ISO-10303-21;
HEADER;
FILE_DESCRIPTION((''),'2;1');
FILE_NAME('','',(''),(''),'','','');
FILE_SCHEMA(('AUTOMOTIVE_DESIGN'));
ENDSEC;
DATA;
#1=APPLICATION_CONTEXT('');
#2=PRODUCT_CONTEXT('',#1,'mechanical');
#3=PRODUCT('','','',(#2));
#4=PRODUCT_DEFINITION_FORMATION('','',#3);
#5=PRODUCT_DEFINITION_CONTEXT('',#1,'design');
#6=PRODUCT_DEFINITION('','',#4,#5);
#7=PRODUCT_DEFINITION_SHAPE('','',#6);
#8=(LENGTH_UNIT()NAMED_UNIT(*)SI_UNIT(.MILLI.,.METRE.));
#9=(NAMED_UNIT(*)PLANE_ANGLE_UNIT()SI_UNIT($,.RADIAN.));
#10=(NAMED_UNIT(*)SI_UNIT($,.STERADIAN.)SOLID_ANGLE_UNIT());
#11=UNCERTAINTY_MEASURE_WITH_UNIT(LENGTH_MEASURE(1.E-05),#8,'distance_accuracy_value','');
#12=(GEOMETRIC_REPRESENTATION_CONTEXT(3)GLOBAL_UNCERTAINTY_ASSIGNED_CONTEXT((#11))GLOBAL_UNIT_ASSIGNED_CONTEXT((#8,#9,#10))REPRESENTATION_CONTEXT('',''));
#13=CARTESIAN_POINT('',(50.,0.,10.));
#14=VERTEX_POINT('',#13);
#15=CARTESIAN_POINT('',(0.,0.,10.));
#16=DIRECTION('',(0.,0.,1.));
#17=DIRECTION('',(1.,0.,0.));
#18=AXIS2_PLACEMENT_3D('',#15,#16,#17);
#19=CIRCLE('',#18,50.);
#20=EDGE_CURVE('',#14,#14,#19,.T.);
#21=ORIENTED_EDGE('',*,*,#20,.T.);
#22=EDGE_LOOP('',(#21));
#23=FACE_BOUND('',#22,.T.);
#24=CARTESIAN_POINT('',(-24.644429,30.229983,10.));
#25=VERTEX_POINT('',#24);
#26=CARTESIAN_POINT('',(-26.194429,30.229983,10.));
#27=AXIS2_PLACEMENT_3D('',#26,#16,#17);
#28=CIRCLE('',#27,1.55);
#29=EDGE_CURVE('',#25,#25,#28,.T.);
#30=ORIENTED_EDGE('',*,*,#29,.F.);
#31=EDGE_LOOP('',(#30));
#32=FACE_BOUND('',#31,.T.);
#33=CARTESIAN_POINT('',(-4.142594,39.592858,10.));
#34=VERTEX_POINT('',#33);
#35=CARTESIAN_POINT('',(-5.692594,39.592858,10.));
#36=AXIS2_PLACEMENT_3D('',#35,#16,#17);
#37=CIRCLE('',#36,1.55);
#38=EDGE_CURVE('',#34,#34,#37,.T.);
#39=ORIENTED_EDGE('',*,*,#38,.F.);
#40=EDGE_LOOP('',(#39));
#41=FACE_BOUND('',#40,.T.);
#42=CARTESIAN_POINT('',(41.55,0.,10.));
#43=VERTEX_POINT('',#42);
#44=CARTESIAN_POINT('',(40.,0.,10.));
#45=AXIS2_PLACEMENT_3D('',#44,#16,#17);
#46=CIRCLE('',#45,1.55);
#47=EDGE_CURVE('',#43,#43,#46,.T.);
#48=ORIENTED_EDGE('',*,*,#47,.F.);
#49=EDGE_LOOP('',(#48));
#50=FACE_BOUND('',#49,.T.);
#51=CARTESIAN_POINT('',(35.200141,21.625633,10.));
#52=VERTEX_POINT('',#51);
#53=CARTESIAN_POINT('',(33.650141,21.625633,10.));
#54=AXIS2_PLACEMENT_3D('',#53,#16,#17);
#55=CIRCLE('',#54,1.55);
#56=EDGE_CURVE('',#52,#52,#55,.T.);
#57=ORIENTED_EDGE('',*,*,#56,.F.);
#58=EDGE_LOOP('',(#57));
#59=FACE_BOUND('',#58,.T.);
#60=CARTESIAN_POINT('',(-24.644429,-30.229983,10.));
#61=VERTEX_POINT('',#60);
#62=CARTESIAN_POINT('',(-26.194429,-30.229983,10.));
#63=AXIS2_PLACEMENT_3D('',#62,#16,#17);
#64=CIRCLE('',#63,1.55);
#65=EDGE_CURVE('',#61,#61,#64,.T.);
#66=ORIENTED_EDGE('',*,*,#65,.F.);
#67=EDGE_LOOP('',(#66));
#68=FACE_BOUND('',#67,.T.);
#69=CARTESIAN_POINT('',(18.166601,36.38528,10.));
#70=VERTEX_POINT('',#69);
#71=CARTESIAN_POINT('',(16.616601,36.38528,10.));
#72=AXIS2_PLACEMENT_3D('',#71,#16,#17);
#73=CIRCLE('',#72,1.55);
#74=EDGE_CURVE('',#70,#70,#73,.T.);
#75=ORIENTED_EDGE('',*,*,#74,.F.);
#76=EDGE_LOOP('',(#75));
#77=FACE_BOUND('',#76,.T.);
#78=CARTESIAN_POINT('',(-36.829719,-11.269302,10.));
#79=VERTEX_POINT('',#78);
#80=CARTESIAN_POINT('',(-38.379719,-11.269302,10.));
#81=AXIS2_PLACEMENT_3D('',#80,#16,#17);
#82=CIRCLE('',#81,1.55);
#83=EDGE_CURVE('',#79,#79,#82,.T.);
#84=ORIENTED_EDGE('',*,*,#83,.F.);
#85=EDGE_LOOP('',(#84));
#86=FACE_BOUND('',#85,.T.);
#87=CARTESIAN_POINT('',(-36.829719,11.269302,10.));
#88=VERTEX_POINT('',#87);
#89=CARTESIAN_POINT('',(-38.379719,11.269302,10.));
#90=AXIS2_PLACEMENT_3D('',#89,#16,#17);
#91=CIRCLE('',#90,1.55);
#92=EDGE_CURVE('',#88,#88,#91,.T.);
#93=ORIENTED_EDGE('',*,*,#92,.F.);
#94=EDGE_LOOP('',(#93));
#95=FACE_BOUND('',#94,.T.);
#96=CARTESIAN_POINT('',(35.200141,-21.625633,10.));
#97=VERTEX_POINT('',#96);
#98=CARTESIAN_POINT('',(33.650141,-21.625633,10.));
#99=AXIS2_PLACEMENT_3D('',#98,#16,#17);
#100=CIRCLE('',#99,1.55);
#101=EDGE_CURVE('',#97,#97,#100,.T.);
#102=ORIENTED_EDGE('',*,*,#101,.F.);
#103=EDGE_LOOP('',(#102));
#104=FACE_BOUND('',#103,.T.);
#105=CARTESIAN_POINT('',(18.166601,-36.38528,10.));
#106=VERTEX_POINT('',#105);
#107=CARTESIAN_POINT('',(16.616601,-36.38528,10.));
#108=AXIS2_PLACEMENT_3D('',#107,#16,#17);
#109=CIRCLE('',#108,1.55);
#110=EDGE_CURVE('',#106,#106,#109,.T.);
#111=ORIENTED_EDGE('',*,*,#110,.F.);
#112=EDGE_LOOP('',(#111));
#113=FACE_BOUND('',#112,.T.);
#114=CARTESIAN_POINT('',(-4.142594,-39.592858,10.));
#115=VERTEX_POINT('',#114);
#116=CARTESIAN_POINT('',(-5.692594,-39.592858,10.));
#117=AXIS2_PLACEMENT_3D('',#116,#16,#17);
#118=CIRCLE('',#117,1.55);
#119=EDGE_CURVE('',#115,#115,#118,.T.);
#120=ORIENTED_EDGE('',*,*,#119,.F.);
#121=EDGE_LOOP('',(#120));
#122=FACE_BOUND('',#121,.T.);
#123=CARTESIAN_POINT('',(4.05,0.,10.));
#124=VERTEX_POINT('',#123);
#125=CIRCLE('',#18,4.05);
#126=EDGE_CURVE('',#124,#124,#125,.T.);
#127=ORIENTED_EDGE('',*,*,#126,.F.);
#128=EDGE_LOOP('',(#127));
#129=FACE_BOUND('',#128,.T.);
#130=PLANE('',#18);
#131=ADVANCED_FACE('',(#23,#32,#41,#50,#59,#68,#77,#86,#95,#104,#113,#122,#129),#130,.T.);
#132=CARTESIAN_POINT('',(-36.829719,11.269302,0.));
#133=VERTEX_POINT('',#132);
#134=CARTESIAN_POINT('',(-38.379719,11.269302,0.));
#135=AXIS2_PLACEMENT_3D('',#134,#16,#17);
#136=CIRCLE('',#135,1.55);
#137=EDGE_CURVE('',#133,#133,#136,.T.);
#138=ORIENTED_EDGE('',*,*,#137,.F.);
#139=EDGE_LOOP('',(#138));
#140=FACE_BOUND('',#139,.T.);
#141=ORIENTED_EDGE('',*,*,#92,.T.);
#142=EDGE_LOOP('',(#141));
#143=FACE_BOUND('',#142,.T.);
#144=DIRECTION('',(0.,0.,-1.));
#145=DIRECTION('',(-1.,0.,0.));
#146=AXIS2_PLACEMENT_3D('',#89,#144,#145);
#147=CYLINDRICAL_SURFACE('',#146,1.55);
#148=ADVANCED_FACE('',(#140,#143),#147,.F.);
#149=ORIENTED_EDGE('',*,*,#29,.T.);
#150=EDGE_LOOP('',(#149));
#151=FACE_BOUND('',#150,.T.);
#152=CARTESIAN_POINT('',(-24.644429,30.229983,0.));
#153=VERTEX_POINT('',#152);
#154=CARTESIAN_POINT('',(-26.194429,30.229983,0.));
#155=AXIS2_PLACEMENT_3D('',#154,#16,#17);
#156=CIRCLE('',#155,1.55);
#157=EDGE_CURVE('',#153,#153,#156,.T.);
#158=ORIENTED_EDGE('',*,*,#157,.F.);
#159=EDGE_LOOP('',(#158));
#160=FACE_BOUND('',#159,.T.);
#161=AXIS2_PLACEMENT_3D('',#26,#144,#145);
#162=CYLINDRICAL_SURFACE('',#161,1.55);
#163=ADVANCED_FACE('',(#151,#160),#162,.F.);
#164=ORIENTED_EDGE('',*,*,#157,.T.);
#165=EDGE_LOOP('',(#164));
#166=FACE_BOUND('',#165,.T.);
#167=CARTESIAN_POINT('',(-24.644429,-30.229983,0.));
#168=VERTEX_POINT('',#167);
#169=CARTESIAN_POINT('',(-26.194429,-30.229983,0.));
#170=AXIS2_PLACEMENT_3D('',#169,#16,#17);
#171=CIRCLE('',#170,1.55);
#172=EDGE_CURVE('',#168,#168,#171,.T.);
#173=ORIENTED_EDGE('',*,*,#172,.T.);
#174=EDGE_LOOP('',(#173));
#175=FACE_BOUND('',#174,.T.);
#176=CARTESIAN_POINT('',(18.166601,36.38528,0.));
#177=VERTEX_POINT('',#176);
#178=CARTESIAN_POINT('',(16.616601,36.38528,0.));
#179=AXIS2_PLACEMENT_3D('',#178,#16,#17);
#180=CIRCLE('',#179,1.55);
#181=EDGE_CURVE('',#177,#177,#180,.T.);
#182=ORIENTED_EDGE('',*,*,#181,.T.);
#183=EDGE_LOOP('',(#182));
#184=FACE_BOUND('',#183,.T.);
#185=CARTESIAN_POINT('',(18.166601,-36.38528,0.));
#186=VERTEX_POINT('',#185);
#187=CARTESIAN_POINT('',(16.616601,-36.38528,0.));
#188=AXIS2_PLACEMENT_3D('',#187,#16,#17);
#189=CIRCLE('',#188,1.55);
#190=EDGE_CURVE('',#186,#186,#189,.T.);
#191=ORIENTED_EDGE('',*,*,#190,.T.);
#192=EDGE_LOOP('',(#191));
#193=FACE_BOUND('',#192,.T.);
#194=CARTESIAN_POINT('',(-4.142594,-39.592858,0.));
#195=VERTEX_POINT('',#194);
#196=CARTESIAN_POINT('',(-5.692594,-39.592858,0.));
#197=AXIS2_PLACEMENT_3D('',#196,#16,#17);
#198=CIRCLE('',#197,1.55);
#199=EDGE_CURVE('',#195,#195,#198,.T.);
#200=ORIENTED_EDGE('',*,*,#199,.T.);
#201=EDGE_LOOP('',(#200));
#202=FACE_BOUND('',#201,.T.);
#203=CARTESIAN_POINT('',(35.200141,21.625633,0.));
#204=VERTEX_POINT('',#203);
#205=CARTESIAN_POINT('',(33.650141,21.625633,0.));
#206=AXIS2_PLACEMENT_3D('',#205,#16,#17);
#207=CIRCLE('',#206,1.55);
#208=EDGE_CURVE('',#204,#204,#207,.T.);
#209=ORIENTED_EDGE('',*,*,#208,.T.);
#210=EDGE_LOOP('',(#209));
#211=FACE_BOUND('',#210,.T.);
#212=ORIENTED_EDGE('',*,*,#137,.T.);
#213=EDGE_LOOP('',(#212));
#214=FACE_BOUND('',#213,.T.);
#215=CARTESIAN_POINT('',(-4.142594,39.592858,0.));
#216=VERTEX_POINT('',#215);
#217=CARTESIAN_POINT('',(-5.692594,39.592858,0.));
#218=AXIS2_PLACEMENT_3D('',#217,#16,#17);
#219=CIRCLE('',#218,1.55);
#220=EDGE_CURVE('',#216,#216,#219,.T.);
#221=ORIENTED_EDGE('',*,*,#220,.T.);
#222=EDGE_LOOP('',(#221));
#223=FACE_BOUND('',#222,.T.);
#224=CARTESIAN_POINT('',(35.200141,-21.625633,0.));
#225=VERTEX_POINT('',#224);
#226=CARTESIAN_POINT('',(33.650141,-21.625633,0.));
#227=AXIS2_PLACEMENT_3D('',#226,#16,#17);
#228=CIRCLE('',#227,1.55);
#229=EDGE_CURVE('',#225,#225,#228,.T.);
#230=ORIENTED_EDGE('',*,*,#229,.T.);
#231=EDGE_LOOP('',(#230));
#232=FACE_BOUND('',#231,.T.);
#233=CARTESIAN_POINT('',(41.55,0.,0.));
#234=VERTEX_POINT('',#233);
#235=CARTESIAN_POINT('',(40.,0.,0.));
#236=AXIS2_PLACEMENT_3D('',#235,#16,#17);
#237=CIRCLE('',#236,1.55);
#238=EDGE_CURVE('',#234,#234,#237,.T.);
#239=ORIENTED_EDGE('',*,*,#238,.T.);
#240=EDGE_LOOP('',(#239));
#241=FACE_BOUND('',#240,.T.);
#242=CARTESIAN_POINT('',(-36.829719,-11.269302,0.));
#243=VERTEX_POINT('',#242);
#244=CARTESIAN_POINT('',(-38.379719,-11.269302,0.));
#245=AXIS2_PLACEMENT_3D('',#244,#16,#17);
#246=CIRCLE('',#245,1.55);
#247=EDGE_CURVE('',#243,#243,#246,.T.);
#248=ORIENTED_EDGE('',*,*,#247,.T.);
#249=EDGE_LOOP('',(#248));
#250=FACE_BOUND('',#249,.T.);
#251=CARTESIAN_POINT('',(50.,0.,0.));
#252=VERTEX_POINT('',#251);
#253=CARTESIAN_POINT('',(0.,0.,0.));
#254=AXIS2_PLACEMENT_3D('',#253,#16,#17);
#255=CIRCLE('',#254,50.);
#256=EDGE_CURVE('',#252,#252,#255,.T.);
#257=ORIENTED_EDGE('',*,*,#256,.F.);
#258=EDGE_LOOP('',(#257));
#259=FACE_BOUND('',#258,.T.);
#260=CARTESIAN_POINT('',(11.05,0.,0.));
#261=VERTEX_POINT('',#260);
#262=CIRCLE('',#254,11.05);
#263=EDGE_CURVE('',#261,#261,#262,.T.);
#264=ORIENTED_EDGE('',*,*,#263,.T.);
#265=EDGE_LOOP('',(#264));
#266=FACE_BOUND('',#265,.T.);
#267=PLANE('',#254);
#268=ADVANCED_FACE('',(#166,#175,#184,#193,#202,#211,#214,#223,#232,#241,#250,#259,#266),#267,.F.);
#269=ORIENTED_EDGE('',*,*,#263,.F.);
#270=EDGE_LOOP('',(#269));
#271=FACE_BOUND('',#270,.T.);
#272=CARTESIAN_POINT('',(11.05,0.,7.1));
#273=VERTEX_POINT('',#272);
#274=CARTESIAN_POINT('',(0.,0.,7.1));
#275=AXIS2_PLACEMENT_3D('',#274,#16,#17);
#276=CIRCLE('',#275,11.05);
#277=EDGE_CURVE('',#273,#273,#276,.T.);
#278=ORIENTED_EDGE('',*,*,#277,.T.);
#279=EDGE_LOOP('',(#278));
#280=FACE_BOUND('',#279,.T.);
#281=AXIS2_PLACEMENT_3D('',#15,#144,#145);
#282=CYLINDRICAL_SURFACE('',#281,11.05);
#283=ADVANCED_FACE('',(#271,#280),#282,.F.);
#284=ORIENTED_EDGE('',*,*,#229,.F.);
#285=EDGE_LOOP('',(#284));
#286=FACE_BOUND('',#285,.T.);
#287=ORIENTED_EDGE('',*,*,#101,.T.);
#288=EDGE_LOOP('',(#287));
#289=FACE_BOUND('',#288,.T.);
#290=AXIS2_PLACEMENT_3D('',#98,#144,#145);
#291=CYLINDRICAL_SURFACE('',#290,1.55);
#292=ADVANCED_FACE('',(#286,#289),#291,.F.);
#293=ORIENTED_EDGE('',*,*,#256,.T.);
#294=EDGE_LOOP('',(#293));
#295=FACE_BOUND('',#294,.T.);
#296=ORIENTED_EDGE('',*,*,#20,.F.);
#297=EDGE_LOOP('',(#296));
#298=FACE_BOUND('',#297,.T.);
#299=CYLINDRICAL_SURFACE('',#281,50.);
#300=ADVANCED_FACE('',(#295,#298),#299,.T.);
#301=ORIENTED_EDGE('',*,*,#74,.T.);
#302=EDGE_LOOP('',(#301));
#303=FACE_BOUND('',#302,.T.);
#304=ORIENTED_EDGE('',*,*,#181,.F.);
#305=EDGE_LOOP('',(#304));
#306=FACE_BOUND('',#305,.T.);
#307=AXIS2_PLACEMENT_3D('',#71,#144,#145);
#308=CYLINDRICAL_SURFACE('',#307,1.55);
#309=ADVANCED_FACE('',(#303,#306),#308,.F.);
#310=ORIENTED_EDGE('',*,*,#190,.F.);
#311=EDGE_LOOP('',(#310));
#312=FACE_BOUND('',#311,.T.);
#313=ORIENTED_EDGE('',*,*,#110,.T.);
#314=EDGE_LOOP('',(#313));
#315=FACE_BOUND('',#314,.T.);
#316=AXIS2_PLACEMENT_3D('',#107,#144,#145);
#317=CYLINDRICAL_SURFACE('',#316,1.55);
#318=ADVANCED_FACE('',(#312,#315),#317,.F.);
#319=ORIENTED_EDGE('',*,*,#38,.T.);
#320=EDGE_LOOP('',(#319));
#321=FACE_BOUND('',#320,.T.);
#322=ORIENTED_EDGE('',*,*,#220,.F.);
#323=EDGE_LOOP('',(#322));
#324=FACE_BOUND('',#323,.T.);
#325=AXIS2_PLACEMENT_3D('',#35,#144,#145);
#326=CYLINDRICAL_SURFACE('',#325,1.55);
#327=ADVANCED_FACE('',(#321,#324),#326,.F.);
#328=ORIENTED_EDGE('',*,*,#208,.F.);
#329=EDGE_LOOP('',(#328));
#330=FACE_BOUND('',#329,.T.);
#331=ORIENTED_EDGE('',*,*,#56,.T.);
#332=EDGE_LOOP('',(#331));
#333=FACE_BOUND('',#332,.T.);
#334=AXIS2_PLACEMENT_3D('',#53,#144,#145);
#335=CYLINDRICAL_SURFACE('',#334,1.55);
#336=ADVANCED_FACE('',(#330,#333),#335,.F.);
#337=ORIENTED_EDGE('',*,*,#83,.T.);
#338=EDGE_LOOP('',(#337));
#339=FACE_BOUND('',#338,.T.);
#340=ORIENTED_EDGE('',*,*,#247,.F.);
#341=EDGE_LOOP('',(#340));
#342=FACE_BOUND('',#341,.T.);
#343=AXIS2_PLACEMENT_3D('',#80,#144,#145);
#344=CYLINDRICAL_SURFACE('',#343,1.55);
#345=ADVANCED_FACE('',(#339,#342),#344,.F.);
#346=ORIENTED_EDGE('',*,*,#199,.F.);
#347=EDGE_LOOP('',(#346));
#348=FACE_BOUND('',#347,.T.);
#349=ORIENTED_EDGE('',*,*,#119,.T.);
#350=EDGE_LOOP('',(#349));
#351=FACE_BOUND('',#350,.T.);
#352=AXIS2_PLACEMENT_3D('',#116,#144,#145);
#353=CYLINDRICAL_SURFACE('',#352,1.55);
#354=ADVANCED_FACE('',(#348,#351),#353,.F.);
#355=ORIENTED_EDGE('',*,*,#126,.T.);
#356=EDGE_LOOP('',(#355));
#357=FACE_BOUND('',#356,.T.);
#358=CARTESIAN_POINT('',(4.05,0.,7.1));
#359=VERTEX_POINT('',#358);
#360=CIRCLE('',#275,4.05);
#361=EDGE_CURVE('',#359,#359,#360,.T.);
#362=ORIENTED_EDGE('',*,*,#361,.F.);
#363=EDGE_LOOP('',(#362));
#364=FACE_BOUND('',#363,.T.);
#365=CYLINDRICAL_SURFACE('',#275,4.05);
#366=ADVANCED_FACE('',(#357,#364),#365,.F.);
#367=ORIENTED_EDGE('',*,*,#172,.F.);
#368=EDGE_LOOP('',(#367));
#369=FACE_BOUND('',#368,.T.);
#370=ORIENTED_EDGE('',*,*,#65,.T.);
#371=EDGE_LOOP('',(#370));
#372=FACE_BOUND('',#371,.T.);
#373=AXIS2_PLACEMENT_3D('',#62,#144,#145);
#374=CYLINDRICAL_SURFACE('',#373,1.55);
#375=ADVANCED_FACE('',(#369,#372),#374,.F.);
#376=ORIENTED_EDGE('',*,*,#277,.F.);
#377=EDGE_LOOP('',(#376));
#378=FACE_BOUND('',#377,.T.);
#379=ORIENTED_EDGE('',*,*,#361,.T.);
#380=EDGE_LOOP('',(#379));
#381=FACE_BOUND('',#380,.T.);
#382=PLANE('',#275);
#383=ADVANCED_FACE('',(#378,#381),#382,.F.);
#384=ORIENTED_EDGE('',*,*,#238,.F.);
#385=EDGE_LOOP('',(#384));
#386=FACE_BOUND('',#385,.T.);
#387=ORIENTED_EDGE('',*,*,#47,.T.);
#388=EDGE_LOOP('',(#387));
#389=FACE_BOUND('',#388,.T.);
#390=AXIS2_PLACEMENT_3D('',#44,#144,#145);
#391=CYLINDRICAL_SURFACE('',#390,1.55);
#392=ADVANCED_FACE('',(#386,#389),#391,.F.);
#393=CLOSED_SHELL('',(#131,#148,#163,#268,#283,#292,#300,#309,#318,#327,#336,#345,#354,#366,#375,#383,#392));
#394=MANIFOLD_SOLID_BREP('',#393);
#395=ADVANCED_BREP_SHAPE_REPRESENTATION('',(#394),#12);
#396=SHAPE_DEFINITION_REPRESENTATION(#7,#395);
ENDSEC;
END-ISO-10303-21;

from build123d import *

# Parameters (mm, degrees)
SKETCH1_R           = 50
SKETCH1_R_2         = 11.05
SKETCH1_R_3         = 1.55
BOSS_EXTRUDE1_DEPTH = 10
BOSS_EXTRUDE2_START = -2.9
SKETCH2_R           = 11.05
SKETCH2_R_2         = 4.05
BOSS_EXTRUDE2_DEPTH = 2.9


with BuildPart() as part:
    # Sketch1 → Boss-Extrude1 (new body)
    with BuildSketch(Plane.XY):
        Circle(SKETCH1_R)
        Circle(SKETCH1_R_2, mode=Mode.SUBTRACT)
        with Locations((40, 0)):
            Circle(SKETCH1_R_3, mode=Mode.SUBTRACT)
        with Locations((33.650141313, -21.625632698)):
            Circle(SKETCH1_R_3, mode=Mode.SUBTRACT)
        with Locations((16.61660052, -36.385279814)):
            Circle(SKETCH1_R_3, mode=Mode.SUBTRACT)
        with Locations((-5.692593531, -39.592857675)):
            Circle(SKETCH1_R_3, mode=Mode.SUBTRACT)
        with Locations((-26.194429358, -30.229982974)):
            Circle(SKETCH1_R_3, mode=Mode.SUBTRACT)
        with Locations((-38.379718945, -11.269302274)):
            Circle(SKETCH1_R_3, mode=Mode.SUBTRACT)
        with Locations((-38.379718945, 11.269302274)):
            Circle(SKETCH1_R_3, mode=Mode.SUBTRACT)
        with Locations((-26.194429358, 30.229982974)):
            Circle(SKETCH1_R_3, mode=Mode.SUBTRACT)
        with Locations((-5.692593531, 39.592857675)):
            Circle(SKETCH1_R_3, mode=Mode.SUBTRACT)
        with Locations((16.61660052, 36.385279814)):
            Circle(SKETCH1_R_3, mode=Mode.SUBTRACT)
        with Locations((33.650141313, 21.625632698)):
            Circle(SKETCH1_R_3, mode=Mode.SUBTRACT)
    extrude(amount=BOSS_EXTRUDE1_DEPTH)

    # Sketch2 → Boss-Extrude2 (add)
    with BuildSketch(Plane.XY.offset(10).offset(BOSS_EXTRUDE2_START)):
        Circle(SKETCH2_R)
        Circle(SKETCH2_R_2, mode=Mode.SUBTRACT)
    extrude(amount=BOSS_EXTRUDE2_DEPTH)


solid = part.part
